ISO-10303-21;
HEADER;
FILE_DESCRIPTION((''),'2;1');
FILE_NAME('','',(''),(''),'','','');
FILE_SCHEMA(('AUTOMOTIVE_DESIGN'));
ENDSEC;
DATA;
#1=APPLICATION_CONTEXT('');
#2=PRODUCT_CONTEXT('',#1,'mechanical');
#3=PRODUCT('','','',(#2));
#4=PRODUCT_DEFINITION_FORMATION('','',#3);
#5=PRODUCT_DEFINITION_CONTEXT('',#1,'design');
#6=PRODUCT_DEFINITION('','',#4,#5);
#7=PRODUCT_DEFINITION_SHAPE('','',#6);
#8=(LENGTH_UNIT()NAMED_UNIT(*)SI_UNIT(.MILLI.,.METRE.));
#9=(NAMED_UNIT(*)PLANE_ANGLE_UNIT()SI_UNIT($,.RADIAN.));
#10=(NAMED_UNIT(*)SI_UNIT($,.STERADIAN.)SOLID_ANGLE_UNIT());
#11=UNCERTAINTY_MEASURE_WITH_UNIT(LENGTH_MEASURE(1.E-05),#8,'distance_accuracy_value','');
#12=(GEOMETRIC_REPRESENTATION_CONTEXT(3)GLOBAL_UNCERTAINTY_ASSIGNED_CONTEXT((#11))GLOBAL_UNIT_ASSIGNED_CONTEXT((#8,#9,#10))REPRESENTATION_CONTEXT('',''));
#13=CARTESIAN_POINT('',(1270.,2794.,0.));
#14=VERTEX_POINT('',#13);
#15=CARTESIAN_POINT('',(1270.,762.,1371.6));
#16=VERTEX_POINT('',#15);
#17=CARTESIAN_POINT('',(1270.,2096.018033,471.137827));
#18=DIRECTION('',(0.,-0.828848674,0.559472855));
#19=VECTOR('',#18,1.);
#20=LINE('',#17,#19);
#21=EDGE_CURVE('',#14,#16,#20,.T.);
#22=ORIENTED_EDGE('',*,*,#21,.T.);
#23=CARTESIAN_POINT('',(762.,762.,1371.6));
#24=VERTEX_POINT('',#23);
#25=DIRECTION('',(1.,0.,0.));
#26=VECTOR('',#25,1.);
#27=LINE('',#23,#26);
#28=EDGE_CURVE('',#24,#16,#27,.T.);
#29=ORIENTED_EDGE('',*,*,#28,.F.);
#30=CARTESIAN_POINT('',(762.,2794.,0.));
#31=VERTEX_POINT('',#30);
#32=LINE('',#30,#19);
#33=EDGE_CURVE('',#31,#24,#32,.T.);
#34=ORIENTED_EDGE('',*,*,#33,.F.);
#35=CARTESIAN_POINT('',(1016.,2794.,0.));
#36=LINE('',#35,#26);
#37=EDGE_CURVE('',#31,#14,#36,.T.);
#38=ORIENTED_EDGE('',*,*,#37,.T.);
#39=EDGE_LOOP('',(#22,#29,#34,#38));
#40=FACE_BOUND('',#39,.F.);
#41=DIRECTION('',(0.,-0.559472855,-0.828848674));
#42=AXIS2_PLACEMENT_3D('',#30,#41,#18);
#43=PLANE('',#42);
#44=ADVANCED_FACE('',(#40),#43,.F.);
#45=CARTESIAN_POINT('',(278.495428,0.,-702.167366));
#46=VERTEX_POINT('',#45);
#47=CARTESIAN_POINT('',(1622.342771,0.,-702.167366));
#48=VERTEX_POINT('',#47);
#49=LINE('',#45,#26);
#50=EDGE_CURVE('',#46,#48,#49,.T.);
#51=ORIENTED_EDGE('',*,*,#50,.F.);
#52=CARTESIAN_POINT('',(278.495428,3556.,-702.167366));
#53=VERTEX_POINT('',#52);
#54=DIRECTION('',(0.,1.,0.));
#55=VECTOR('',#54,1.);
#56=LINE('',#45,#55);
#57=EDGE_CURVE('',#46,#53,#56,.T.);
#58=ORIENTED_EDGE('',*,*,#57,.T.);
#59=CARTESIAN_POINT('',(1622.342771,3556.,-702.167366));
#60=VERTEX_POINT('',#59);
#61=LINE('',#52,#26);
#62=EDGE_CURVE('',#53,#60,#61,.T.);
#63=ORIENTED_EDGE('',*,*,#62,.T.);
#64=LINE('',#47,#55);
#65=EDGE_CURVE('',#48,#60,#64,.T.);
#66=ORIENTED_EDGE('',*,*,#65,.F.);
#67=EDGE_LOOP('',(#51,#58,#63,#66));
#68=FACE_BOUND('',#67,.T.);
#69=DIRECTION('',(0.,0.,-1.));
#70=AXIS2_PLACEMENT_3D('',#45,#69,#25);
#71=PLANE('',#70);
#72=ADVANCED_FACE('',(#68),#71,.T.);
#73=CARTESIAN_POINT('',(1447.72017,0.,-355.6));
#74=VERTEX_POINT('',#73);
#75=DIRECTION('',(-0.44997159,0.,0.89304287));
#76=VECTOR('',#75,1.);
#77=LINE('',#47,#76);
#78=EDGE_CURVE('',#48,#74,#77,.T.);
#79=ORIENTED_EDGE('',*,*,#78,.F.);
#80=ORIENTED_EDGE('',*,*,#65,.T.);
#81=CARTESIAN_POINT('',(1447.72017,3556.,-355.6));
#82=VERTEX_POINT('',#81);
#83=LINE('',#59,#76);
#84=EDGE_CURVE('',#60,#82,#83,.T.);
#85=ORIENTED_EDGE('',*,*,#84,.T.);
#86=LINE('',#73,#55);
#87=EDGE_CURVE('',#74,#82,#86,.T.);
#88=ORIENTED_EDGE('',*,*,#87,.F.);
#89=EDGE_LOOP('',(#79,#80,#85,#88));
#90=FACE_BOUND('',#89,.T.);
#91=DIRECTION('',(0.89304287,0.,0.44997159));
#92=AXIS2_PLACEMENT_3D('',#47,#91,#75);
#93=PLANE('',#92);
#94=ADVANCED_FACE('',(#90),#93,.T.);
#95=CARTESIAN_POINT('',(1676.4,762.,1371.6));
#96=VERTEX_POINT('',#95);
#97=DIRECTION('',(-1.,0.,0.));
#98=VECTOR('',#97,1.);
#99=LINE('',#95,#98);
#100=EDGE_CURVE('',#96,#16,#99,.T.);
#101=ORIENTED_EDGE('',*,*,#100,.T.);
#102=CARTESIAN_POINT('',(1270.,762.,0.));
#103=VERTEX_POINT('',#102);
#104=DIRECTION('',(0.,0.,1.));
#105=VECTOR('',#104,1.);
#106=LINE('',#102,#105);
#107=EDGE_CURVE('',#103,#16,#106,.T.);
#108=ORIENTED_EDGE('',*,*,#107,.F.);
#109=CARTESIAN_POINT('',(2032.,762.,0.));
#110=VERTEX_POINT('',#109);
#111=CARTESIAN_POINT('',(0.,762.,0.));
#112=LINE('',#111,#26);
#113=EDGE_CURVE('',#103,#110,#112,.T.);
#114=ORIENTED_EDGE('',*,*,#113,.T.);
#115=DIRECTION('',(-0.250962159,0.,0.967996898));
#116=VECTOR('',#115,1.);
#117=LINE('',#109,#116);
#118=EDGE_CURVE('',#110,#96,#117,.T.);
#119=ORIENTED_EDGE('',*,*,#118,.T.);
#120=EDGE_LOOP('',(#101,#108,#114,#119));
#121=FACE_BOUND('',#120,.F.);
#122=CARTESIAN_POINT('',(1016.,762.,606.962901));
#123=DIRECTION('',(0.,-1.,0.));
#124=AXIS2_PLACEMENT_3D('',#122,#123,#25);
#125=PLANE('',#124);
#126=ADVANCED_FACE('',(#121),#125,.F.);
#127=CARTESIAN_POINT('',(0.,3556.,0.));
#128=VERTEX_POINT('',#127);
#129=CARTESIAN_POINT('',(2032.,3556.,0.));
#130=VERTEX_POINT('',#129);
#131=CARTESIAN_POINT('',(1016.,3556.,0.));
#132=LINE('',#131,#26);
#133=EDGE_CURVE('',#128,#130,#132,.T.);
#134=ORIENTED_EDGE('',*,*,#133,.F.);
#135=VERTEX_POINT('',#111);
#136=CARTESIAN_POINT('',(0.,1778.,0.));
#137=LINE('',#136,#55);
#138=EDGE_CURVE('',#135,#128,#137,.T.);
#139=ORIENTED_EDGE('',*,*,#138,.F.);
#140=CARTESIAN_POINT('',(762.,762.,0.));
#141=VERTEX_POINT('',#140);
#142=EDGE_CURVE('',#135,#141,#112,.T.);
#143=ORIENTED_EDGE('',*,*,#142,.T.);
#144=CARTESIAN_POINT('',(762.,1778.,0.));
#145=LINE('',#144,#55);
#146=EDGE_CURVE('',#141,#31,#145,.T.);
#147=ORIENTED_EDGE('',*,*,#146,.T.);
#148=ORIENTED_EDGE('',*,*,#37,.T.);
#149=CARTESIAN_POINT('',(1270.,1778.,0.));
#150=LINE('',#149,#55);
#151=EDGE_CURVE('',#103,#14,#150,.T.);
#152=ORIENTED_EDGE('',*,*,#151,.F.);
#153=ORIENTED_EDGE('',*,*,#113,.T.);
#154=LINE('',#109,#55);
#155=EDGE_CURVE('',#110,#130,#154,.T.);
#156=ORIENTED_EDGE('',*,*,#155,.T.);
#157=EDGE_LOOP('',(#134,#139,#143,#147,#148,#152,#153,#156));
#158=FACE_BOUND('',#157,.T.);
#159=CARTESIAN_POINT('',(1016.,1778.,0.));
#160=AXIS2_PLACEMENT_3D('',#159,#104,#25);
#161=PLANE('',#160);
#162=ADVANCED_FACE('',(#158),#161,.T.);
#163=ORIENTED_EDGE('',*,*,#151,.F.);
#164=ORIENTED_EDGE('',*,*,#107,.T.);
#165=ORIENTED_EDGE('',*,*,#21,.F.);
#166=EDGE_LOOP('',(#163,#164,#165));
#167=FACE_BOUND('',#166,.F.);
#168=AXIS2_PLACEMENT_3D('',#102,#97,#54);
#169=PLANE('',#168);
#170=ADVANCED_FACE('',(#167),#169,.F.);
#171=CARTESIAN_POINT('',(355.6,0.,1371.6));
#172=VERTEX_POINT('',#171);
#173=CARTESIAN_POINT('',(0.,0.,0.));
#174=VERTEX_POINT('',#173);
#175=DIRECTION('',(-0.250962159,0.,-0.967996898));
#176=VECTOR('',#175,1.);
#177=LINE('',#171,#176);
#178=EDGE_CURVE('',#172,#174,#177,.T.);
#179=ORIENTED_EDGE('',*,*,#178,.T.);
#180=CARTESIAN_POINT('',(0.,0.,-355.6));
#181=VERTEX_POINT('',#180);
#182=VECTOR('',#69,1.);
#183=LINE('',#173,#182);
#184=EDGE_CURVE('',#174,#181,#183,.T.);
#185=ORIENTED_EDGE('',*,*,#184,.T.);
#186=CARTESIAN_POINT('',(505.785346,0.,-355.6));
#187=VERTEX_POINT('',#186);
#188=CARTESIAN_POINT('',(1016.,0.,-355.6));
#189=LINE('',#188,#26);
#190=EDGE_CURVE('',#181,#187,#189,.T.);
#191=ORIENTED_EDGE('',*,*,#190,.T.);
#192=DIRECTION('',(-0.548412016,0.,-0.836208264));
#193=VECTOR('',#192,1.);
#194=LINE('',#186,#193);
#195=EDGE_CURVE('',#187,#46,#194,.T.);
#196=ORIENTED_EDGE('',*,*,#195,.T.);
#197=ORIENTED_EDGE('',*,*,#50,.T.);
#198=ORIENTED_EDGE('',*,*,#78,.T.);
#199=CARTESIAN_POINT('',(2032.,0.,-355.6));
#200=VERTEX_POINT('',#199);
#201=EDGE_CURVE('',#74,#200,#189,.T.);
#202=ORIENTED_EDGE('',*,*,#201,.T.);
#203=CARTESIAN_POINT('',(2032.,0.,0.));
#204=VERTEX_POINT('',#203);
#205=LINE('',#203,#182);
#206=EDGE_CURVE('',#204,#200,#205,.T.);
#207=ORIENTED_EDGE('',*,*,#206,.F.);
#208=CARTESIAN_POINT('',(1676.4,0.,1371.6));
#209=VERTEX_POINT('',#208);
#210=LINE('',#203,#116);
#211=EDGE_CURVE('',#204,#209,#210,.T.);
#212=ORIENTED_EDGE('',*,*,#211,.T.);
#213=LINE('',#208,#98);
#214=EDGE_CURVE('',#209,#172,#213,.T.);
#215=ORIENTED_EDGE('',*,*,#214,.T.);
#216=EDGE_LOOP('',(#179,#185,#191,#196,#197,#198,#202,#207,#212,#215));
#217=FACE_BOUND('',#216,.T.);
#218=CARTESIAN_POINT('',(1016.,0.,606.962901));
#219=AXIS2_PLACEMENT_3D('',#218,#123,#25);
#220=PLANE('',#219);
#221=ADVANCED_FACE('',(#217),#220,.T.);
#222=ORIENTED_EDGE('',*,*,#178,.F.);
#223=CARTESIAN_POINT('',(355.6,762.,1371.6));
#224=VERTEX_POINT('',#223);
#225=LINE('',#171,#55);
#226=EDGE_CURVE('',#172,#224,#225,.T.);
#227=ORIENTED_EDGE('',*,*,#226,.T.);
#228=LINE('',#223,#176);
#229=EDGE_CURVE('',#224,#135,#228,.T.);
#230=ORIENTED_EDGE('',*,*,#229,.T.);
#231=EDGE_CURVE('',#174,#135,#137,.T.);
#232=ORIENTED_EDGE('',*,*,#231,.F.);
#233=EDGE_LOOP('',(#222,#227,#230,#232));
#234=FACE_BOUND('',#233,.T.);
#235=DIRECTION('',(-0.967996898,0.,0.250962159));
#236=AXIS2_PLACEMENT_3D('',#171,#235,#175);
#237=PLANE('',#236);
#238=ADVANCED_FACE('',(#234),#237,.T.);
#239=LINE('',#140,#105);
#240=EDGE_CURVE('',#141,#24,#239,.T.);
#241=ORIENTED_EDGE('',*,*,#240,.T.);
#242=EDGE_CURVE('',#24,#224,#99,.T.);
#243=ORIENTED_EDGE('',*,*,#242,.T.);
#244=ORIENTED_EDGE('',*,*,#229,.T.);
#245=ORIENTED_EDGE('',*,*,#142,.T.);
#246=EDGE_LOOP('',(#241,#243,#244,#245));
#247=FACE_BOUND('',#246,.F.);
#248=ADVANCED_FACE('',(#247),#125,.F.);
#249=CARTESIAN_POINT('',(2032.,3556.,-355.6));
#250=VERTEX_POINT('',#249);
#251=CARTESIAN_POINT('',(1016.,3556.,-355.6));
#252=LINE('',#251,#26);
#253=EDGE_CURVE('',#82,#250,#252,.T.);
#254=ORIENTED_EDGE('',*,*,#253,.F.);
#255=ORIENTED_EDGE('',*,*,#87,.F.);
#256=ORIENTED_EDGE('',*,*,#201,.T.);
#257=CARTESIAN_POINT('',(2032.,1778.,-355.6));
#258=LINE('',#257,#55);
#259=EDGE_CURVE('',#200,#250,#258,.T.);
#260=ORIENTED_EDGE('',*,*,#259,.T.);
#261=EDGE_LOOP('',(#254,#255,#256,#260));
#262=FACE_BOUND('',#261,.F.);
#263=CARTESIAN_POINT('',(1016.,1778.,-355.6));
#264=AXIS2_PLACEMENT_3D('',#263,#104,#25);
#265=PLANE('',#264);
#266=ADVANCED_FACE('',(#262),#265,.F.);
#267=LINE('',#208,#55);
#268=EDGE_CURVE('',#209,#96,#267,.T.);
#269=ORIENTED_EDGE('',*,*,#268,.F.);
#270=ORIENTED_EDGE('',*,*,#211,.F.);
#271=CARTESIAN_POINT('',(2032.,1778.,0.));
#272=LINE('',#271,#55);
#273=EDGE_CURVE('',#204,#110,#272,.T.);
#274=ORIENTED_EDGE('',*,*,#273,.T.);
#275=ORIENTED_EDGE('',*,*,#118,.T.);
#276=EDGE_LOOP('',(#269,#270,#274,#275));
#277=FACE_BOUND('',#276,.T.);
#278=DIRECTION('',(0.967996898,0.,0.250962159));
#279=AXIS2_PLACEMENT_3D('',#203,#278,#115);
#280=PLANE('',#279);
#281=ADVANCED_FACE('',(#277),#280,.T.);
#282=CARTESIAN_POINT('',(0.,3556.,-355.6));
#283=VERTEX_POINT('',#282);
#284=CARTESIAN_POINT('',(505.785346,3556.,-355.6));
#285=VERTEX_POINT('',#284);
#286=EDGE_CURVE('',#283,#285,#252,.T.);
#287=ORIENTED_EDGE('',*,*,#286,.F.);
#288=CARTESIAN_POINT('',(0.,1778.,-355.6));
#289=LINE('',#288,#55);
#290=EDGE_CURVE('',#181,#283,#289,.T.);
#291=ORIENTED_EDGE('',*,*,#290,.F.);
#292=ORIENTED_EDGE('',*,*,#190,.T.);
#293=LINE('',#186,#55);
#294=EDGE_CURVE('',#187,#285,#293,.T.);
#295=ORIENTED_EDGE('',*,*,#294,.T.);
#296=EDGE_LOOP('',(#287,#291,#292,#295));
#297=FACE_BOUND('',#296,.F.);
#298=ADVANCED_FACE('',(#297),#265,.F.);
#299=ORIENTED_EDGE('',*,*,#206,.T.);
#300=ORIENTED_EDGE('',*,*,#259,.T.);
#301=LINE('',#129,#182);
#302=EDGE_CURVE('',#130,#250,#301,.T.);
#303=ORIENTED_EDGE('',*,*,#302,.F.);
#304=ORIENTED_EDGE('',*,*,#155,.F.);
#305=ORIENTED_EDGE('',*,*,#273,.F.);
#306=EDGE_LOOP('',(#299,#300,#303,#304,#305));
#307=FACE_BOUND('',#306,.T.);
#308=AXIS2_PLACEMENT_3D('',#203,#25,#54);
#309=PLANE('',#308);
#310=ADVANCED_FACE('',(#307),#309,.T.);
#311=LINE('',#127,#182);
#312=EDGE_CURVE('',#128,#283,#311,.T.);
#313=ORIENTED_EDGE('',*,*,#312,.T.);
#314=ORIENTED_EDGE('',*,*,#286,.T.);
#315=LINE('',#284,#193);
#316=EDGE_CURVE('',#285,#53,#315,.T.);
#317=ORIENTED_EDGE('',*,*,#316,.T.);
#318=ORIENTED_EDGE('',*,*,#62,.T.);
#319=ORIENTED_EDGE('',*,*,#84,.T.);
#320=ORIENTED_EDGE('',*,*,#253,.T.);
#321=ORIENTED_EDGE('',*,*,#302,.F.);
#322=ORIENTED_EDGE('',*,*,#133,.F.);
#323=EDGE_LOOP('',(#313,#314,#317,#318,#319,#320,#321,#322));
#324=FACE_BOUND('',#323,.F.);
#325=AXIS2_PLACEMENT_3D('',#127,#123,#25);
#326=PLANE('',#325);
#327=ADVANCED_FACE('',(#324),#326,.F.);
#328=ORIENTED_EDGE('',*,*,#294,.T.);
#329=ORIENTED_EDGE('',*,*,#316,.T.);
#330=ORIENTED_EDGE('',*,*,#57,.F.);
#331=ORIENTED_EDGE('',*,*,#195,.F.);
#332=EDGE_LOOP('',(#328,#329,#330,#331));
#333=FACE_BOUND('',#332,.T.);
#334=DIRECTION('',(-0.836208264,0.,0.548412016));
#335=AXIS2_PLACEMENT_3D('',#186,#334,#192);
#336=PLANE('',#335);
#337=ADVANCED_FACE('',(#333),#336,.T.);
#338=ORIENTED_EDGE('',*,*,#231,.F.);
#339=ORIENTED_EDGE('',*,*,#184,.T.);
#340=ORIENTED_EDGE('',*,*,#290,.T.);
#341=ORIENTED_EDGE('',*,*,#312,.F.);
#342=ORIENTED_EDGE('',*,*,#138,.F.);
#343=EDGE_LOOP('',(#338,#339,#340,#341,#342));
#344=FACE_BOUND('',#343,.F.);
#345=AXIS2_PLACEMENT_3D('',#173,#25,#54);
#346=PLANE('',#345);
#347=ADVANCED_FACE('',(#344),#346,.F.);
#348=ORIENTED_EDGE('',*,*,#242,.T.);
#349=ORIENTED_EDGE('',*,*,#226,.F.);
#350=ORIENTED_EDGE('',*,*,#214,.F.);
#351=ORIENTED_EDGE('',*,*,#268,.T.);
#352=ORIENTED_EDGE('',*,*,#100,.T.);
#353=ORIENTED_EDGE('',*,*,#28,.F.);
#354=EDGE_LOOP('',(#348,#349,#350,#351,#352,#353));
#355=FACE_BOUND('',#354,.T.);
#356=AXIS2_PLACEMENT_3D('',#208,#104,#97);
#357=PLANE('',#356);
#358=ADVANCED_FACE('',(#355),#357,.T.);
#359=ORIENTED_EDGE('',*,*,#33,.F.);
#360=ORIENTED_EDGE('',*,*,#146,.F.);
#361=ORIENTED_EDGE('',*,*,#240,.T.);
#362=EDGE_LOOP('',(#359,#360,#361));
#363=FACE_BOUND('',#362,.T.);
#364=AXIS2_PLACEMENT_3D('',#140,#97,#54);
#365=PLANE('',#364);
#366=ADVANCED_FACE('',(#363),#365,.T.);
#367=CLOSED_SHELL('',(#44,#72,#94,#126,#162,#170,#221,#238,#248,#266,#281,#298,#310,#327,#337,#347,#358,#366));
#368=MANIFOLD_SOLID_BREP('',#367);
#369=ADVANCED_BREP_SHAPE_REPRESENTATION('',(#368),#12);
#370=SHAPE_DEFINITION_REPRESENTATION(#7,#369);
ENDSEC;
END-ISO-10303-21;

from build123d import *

# Parameters (mm, degrees)
F0_W     = 2032
F0_H     = 3556
F1_DEPTH = 355.6
F3_DEPTH = 3556
F5_DEPTH = 762
F6_W     = 508
F6_H     = 2032
F7_DEPTH = 1371.6
F9_DEPTH = 1270.001


with BuildPart() as f1:
    # F0 (on Top) → F1 (new body)
    with BuildSketch(Plane.XY):
        with Locations((1016, 1778)):
            Rectangle(F0_W, F0_H)
    extrude(amount=-F1_DEPTH)

    # F2 (on face) → F3 (join)
    with BuildSketch(Plane.XZ):
        Polygon((505.785346, -355.6), (278.495428, -702.167366), (1622.342771, -702.167366), (1447.72017, -355.6), align=None)
    extrude(amount=-F3_DEPTH)

    # F4 (on face) → F5 (join)
    with BuildSketch(Plane.XZ):
        Polygon((355.6, 1371.6), (0, 0), (2032, 0), (1676.4, 1371.6), align=None)
    extrude(amount=-F5_DEPTH)

    # F6 (on face) → F7 (join)
    with BuildSketch(Plane.XY):
        with Locations((1016, 1778)):
            Rectangle(F6_W, F6_H)
    extrude(amount=F7_DEPTH)

    # F8 (on face) → F9 (cut, through all)
    with BuildSketch(Plane(origin=(762, 0, 0), x_dir=(0, -1, 0), z_dir=(-1, 0, 0))):
        Polygon((-2794, 0), (-762, 1371.6), (-2794, 1371.6), align=None)
    extrude(amount=-F9_DEPTH, mode=Mode.SUBTRACT)


solid = f1.part
